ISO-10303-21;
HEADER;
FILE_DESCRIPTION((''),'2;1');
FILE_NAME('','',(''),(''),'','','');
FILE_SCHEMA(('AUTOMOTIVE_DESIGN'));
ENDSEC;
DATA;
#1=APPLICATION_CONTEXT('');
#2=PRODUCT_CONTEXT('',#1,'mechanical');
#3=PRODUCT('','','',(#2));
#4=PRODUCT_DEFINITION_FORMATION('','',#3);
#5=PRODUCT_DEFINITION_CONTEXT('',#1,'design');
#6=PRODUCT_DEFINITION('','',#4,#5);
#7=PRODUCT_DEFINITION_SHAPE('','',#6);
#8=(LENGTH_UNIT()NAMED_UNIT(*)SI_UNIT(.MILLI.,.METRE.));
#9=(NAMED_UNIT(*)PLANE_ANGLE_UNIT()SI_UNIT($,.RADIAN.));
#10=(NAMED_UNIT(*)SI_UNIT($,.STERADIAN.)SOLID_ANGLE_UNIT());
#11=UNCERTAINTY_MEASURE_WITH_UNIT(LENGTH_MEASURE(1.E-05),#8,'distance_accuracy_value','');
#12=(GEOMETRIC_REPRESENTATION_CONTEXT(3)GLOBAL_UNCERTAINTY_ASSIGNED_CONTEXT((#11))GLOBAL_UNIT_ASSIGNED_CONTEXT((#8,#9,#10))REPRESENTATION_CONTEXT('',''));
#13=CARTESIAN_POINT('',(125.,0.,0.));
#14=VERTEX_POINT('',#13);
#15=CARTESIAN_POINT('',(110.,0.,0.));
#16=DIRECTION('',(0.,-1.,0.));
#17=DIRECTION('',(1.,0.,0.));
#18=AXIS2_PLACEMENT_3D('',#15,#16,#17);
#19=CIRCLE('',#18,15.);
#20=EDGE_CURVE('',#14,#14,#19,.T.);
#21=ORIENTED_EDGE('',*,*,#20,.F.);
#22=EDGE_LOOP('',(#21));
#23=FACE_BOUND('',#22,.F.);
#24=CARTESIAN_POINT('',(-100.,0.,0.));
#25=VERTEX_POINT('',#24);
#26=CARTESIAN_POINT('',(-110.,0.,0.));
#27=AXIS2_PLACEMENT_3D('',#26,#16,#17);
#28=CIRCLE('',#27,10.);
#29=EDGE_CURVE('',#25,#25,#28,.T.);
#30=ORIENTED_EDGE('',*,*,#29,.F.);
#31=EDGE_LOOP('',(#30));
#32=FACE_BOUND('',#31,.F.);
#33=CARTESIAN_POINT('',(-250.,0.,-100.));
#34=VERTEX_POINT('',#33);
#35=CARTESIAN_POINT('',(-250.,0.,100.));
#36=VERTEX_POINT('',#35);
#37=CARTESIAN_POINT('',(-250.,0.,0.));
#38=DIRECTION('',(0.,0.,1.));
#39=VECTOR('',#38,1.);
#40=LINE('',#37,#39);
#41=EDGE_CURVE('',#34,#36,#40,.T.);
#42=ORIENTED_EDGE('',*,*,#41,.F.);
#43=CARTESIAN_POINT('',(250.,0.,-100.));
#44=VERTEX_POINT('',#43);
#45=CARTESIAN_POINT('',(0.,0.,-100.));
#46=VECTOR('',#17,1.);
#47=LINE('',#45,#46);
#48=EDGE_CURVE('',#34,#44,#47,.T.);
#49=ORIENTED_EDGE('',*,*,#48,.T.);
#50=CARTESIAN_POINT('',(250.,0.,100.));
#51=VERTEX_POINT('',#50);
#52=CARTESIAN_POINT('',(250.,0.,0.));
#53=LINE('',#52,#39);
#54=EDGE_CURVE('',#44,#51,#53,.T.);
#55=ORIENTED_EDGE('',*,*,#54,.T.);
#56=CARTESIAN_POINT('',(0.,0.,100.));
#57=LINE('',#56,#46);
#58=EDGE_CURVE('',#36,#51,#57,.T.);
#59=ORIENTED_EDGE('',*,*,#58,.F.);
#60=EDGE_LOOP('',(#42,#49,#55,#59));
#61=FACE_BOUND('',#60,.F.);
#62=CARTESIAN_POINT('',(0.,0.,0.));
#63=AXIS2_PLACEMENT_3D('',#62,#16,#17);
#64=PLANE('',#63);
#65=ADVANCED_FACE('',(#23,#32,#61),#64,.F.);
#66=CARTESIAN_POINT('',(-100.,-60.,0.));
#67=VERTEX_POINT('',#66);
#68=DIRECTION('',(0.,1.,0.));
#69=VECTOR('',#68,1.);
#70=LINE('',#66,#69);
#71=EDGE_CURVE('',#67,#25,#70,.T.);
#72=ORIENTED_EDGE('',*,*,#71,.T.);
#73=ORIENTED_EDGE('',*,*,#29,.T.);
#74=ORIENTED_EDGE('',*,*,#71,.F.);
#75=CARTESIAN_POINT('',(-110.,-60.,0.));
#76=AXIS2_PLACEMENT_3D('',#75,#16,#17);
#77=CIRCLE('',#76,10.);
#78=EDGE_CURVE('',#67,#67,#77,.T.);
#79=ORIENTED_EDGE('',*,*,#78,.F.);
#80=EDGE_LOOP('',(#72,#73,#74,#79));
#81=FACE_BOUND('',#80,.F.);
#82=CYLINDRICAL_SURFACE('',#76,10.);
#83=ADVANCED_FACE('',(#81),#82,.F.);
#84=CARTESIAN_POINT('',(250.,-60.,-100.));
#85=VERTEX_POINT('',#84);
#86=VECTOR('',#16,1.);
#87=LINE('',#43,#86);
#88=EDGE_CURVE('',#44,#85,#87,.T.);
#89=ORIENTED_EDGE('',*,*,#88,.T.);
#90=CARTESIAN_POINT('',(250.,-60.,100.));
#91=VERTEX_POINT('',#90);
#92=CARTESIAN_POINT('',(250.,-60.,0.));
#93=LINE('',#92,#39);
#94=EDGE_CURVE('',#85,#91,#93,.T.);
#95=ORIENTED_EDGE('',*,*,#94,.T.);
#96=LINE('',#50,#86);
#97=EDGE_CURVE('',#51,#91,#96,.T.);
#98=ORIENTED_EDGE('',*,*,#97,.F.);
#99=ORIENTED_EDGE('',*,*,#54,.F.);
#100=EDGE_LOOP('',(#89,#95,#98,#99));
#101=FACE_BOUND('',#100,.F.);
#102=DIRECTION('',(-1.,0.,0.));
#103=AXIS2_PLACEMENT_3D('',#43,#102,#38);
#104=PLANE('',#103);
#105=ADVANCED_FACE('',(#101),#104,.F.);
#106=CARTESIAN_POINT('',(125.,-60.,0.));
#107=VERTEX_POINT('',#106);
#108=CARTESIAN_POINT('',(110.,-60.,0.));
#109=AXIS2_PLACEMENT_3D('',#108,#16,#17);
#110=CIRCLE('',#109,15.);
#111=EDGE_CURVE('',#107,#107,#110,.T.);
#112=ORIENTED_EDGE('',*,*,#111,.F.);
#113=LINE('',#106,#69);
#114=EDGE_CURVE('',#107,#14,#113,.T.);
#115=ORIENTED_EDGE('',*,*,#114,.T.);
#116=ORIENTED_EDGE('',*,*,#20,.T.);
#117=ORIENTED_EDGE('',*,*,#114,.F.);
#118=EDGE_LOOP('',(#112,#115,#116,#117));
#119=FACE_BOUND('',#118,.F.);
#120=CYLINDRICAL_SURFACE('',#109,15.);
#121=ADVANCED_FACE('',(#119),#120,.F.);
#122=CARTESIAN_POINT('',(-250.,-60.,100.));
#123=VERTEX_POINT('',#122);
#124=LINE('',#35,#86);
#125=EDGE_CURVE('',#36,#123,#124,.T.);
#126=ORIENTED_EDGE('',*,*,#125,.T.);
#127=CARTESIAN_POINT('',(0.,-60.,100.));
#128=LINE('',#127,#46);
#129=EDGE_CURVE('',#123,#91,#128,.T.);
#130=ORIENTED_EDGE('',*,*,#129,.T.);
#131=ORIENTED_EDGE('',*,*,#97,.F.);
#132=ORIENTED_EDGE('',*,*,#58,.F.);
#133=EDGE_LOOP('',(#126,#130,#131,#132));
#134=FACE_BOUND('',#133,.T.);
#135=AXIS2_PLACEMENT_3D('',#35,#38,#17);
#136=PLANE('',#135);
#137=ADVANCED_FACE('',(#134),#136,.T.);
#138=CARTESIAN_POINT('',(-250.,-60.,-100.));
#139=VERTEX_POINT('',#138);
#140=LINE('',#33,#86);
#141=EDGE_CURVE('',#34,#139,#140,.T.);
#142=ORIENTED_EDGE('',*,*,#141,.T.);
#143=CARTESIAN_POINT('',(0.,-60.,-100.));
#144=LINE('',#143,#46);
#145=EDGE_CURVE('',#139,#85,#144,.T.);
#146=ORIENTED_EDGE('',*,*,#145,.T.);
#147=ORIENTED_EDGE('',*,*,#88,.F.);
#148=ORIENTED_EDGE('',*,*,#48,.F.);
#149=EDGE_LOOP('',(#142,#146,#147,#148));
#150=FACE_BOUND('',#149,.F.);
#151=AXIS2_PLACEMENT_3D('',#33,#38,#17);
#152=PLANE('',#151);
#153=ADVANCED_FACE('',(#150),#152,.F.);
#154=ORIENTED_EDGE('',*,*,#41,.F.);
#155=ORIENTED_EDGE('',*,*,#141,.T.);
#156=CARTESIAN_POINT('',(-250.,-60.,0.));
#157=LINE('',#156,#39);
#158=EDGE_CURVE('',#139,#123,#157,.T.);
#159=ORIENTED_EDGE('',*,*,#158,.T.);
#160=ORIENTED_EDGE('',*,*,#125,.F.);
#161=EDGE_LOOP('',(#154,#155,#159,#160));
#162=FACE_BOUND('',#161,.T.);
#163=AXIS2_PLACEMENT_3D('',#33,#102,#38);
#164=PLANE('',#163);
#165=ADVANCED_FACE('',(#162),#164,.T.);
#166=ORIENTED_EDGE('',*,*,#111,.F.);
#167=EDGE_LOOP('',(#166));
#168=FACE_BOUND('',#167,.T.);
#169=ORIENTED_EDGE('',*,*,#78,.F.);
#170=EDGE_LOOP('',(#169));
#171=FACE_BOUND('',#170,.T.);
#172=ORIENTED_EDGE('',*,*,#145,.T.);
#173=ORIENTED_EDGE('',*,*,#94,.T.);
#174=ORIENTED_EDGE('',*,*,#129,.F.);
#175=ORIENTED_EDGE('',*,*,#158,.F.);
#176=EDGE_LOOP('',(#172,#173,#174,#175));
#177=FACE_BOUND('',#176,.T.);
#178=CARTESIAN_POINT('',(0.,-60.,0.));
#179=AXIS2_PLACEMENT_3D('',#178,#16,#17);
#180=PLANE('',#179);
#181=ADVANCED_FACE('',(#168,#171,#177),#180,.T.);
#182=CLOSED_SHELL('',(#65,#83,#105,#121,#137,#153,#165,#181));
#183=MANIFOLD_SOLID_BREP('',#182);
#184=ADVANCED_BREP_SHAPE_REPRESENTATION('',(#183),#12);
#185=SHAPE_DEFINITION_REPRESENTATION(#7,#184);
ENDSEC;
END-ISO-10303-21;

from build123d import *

# Parameters (mm, degrees)
F1_W     = 500
F1_H     = 200
F2_DEPTH = 60
F3_R     = 15
F3_R_2   = 10
F4_DEPTH = 60.001


with BuildPart() as f2:
    # F1 (on Front) → F2 (new body)
    with BuildSketch(Plane.XZ):
        Rectangle(F1_W, F1_H)
    extrude(amount=F2_DEPTH)

    # F3 (on face) → F4 (cut, through all)
    with BuildSketch(Plane.XZ.offset(60)):
        with Locations((110, 0)):
            Circle(F3_R)
        with Locations((-110, 0)):
            Circle(F3_R_2)
    extrude(amount=-F4_DEPTH, mode=Mode.SUBTRACT)


solid = f2.part
